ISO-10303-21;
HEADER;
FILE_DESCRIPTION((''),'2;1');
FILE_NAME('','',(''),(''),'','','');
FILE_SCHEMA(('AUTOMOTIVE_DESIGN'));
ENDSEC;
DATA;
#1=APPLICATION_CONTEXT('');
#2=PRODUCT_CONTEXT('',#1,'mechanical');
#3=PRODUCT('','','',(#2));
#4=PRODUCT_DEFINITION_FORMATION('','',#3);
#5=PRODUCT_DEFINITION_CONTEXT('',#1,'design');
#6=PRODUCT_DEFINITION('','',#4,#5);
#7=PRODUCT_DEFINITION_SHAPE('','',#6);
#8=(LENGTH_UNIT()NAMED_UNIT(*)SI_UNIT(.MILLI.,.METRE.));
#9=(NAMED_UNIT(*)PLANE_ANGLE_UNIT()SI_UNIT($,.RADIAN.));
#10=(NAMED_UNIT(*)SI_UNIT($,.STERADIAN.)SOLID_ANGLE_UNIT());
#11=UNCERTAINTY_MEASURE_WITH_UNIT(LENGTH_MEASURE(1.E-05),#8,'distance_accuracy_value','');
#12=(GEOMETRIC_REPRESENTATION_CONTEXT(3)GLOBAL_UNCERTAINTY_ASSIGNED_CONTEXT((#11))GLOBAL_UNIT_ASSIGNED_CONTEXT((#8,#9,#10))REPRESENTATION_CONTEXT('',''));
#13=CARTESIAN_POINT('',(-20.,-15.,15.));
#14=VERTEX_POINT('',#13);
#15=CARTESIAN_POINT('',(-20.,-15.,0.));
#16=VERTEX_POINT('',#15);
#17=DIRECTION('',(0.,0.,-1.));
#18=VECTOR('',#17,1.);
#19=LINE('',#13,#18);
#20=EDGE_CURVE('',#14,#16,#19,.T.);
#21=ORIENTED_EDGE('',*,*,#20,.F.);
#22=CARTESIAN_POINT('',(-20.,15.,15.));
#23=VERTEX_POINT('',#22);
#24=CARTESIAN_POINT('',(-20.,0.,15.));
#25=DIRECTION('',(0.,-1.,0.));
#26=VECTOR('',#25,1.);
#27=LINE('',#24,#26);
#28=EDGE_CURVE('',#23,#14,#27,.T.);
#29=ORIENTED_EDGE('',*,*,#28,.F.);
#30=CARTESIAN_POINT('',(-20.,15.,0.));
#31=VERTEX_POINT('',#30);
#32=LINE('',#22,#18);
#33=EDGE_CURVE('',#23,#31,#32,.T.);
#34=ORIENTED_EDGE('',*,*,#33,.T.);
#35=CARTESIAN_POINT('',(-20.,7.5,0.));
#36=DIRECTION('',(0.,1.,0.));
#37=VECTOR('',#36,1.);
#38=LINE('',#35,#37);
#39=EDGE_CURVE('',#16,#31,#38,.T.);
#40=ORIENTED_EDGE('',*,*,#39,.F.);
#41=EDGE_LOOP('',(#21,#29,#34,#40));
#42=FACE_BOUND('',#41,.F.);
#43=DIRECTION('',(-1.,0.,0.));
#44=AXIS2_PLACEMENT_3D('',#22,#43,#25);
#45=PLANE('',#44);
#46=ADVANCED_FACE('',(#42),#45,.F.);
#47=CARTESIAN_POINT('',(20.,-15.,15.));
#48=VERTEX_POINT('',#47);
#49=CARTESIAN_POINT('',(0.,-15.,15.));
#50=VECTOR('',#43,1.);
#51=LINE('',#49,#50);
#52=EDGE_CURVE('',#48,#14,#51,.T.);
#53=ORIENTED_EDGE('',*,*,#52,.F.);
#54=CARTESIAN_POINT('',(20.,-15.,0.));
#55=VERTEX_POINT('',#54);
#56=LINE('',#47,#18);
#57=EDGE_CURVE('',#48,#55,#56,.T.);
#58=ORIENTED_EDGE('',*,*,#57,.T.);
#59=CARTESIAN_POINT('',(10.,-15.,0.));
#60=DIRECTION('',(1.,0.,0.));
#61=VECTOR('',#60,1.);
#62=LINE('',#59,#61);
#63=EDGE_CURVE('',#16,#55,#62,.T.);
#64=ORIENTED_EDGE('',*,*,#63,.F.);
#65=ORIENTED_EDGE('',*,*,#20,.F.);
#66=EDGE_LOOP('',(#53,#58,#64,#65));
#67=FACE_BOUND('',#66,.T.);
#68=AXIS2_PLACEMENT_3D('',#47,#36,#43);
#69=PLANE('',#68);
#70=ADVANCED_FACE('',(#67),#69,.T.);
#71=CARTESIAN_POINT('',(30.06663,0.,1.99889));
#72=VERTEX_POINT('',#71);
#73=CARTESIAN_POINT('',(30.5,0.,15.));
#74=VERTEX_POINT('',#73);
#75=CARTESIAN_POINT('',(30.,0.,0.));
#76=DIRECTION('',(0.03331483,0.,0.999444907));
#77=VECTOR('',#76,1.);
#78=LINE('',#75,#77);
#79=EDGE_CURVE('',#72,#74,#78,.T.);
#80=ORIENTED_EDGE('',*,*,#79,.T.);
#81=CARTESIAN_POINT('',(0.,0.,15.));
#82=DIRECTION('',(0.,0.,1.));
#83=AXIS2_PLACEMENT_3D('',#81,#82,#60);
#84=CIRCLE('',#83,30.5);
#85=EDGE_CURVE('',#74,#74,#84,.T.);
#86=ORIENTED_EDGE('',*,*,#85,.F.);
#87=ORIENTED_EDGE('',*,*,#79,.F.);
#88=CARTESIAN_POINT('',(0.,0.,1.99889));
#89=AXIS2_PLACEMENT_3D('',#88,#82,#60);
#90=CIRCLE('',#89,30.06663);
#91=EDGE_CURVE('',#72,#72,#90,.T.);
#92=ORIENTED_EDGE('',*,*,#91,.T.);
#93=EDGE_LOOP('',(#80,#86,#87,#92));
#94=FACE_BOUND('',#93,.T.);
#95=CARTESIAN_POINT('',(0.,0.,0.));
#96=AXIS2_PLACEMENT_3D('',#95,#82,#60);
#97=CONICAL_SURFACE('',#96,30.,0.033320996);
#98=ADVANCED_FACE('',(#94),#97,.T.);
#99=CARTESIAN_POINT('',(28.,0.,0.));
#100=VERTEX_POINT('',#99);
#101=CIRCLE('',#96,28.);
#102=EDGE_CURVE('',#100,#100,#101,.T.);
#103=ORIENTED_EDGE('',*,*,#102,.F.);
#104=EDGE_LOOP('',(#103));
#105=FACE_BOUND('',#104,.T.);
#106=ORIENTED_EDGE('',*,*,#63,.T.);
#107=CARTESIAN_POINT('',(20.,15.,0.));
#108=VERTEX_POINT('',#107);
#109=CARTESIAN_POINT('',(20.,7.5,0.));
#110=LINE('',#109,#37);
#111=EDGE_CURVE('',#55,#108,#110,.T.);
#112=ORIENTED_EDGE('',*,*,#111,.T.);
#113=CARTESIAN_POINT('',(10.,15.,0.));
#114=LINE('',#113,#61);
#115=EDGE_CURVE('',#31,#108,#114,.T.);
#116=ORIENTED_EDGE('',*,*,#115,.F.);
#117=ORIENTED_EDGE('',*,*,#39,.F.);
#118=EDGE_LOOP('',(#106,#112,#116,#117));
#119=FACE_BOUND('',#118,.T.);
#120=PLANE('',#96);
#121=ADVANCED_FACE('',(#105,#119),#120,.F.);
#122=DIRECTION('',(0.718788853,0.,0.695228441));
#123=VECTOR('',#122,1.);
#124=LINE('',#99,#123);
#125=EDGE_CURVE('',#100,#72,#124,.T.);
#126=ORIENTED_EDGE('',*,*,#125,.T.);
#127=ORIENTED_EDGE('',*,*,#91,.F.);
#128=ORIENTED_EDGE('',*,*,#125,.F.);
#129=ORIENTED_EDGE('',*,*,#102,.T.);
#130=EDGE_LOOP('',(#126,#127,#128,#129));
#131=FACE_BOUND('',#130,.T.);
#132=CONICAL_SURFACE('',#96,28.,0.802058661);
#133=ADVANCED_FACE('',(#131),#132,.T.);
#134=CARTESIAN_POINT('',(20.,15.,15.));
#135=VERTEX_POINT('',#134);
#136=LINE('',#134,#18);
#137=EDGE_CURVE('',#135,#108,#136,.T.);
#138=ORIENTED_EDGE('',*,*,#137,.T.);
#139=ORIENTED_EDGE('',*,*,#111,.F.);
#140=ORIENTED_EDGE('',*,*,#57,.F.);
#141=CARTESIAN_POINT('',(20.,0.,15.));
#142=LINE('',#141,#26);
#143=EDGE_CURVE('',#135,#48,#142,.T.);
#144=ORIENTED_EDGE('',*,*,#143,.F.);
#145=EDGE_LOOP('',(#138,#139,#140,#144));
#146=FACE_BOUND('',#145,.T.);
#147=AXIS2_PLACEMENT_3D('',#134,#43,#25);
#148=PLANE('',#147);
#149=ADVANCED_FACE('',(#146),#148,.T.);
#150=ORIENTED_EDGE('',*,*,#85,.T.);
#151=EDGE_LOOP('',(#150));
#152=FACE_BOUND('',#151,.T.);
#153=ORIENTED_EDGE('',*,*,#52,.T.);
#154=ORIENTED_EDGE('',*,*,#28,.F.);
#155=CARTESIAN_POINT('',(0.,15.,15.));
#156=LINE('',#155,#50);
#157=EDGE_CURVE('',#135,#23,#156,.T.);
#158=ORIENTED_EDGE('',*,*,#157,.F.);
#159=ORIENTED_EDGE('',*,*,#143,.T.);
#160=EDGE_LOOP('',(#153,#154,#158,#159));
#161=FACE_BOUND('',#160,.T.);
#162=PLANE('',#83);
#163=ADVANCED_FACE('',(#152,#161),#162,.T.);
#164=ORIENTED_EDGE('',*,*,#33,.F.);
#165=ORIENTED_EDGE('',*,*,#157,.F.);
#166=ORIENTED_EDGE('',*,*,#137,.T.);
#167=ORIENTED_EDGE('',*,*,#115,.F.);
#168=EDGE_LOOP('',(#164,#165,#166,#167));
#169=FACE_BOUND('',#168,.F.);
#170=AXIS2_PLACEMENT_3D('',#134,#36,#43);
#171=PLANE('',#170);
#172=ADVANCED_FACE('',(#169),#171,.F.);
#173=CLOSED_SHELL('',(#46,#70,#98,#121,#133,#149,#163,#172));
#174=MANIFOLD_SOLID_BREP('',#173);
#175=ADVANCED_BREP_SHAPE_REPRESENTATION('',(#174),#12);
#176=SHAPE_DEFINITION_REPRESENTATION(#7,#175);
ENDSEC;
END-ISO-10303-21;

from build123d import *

# Parameters (mm, degrees)
CHAMFER_SIZE = 2
SKETCH001_W  = 40
SKETCH001_H  = 30
POCKET_DEPTH = 15.001


with BuildPart() as part:
    # Sketch → Revolution (revolve)
    with BuildSketch(Plane.XZ):
        Polygon((0, 0), (30, 0), (30.5, 15), (0, 15), align=None)
    revolve(axis=Axis((0, 0, 0), (0, 0, 1)))

    # Chamfer
    chamfer_edges = [part.edges().sort_by_distance(p)[0] for p in [
        (-30, 0, 0),
    ]]
    chamfer(chamfer_edges, length=CHAMFER_SIZE)

    # Sketch001 (on Face4 of Chamfer) → Pocket (cut, through all)
    with BuildSketch(Plane(origin=(0, 0, 15), x_dir=(-1, 0, 0), z_dir=(0, 0, 1))):
        Rectangle(SKETCH001_W, SKETCH001_H)
    extrude(amount=-POCKET_DEPTH, mode=Mode.SUBTRACT)


solid = part.part
